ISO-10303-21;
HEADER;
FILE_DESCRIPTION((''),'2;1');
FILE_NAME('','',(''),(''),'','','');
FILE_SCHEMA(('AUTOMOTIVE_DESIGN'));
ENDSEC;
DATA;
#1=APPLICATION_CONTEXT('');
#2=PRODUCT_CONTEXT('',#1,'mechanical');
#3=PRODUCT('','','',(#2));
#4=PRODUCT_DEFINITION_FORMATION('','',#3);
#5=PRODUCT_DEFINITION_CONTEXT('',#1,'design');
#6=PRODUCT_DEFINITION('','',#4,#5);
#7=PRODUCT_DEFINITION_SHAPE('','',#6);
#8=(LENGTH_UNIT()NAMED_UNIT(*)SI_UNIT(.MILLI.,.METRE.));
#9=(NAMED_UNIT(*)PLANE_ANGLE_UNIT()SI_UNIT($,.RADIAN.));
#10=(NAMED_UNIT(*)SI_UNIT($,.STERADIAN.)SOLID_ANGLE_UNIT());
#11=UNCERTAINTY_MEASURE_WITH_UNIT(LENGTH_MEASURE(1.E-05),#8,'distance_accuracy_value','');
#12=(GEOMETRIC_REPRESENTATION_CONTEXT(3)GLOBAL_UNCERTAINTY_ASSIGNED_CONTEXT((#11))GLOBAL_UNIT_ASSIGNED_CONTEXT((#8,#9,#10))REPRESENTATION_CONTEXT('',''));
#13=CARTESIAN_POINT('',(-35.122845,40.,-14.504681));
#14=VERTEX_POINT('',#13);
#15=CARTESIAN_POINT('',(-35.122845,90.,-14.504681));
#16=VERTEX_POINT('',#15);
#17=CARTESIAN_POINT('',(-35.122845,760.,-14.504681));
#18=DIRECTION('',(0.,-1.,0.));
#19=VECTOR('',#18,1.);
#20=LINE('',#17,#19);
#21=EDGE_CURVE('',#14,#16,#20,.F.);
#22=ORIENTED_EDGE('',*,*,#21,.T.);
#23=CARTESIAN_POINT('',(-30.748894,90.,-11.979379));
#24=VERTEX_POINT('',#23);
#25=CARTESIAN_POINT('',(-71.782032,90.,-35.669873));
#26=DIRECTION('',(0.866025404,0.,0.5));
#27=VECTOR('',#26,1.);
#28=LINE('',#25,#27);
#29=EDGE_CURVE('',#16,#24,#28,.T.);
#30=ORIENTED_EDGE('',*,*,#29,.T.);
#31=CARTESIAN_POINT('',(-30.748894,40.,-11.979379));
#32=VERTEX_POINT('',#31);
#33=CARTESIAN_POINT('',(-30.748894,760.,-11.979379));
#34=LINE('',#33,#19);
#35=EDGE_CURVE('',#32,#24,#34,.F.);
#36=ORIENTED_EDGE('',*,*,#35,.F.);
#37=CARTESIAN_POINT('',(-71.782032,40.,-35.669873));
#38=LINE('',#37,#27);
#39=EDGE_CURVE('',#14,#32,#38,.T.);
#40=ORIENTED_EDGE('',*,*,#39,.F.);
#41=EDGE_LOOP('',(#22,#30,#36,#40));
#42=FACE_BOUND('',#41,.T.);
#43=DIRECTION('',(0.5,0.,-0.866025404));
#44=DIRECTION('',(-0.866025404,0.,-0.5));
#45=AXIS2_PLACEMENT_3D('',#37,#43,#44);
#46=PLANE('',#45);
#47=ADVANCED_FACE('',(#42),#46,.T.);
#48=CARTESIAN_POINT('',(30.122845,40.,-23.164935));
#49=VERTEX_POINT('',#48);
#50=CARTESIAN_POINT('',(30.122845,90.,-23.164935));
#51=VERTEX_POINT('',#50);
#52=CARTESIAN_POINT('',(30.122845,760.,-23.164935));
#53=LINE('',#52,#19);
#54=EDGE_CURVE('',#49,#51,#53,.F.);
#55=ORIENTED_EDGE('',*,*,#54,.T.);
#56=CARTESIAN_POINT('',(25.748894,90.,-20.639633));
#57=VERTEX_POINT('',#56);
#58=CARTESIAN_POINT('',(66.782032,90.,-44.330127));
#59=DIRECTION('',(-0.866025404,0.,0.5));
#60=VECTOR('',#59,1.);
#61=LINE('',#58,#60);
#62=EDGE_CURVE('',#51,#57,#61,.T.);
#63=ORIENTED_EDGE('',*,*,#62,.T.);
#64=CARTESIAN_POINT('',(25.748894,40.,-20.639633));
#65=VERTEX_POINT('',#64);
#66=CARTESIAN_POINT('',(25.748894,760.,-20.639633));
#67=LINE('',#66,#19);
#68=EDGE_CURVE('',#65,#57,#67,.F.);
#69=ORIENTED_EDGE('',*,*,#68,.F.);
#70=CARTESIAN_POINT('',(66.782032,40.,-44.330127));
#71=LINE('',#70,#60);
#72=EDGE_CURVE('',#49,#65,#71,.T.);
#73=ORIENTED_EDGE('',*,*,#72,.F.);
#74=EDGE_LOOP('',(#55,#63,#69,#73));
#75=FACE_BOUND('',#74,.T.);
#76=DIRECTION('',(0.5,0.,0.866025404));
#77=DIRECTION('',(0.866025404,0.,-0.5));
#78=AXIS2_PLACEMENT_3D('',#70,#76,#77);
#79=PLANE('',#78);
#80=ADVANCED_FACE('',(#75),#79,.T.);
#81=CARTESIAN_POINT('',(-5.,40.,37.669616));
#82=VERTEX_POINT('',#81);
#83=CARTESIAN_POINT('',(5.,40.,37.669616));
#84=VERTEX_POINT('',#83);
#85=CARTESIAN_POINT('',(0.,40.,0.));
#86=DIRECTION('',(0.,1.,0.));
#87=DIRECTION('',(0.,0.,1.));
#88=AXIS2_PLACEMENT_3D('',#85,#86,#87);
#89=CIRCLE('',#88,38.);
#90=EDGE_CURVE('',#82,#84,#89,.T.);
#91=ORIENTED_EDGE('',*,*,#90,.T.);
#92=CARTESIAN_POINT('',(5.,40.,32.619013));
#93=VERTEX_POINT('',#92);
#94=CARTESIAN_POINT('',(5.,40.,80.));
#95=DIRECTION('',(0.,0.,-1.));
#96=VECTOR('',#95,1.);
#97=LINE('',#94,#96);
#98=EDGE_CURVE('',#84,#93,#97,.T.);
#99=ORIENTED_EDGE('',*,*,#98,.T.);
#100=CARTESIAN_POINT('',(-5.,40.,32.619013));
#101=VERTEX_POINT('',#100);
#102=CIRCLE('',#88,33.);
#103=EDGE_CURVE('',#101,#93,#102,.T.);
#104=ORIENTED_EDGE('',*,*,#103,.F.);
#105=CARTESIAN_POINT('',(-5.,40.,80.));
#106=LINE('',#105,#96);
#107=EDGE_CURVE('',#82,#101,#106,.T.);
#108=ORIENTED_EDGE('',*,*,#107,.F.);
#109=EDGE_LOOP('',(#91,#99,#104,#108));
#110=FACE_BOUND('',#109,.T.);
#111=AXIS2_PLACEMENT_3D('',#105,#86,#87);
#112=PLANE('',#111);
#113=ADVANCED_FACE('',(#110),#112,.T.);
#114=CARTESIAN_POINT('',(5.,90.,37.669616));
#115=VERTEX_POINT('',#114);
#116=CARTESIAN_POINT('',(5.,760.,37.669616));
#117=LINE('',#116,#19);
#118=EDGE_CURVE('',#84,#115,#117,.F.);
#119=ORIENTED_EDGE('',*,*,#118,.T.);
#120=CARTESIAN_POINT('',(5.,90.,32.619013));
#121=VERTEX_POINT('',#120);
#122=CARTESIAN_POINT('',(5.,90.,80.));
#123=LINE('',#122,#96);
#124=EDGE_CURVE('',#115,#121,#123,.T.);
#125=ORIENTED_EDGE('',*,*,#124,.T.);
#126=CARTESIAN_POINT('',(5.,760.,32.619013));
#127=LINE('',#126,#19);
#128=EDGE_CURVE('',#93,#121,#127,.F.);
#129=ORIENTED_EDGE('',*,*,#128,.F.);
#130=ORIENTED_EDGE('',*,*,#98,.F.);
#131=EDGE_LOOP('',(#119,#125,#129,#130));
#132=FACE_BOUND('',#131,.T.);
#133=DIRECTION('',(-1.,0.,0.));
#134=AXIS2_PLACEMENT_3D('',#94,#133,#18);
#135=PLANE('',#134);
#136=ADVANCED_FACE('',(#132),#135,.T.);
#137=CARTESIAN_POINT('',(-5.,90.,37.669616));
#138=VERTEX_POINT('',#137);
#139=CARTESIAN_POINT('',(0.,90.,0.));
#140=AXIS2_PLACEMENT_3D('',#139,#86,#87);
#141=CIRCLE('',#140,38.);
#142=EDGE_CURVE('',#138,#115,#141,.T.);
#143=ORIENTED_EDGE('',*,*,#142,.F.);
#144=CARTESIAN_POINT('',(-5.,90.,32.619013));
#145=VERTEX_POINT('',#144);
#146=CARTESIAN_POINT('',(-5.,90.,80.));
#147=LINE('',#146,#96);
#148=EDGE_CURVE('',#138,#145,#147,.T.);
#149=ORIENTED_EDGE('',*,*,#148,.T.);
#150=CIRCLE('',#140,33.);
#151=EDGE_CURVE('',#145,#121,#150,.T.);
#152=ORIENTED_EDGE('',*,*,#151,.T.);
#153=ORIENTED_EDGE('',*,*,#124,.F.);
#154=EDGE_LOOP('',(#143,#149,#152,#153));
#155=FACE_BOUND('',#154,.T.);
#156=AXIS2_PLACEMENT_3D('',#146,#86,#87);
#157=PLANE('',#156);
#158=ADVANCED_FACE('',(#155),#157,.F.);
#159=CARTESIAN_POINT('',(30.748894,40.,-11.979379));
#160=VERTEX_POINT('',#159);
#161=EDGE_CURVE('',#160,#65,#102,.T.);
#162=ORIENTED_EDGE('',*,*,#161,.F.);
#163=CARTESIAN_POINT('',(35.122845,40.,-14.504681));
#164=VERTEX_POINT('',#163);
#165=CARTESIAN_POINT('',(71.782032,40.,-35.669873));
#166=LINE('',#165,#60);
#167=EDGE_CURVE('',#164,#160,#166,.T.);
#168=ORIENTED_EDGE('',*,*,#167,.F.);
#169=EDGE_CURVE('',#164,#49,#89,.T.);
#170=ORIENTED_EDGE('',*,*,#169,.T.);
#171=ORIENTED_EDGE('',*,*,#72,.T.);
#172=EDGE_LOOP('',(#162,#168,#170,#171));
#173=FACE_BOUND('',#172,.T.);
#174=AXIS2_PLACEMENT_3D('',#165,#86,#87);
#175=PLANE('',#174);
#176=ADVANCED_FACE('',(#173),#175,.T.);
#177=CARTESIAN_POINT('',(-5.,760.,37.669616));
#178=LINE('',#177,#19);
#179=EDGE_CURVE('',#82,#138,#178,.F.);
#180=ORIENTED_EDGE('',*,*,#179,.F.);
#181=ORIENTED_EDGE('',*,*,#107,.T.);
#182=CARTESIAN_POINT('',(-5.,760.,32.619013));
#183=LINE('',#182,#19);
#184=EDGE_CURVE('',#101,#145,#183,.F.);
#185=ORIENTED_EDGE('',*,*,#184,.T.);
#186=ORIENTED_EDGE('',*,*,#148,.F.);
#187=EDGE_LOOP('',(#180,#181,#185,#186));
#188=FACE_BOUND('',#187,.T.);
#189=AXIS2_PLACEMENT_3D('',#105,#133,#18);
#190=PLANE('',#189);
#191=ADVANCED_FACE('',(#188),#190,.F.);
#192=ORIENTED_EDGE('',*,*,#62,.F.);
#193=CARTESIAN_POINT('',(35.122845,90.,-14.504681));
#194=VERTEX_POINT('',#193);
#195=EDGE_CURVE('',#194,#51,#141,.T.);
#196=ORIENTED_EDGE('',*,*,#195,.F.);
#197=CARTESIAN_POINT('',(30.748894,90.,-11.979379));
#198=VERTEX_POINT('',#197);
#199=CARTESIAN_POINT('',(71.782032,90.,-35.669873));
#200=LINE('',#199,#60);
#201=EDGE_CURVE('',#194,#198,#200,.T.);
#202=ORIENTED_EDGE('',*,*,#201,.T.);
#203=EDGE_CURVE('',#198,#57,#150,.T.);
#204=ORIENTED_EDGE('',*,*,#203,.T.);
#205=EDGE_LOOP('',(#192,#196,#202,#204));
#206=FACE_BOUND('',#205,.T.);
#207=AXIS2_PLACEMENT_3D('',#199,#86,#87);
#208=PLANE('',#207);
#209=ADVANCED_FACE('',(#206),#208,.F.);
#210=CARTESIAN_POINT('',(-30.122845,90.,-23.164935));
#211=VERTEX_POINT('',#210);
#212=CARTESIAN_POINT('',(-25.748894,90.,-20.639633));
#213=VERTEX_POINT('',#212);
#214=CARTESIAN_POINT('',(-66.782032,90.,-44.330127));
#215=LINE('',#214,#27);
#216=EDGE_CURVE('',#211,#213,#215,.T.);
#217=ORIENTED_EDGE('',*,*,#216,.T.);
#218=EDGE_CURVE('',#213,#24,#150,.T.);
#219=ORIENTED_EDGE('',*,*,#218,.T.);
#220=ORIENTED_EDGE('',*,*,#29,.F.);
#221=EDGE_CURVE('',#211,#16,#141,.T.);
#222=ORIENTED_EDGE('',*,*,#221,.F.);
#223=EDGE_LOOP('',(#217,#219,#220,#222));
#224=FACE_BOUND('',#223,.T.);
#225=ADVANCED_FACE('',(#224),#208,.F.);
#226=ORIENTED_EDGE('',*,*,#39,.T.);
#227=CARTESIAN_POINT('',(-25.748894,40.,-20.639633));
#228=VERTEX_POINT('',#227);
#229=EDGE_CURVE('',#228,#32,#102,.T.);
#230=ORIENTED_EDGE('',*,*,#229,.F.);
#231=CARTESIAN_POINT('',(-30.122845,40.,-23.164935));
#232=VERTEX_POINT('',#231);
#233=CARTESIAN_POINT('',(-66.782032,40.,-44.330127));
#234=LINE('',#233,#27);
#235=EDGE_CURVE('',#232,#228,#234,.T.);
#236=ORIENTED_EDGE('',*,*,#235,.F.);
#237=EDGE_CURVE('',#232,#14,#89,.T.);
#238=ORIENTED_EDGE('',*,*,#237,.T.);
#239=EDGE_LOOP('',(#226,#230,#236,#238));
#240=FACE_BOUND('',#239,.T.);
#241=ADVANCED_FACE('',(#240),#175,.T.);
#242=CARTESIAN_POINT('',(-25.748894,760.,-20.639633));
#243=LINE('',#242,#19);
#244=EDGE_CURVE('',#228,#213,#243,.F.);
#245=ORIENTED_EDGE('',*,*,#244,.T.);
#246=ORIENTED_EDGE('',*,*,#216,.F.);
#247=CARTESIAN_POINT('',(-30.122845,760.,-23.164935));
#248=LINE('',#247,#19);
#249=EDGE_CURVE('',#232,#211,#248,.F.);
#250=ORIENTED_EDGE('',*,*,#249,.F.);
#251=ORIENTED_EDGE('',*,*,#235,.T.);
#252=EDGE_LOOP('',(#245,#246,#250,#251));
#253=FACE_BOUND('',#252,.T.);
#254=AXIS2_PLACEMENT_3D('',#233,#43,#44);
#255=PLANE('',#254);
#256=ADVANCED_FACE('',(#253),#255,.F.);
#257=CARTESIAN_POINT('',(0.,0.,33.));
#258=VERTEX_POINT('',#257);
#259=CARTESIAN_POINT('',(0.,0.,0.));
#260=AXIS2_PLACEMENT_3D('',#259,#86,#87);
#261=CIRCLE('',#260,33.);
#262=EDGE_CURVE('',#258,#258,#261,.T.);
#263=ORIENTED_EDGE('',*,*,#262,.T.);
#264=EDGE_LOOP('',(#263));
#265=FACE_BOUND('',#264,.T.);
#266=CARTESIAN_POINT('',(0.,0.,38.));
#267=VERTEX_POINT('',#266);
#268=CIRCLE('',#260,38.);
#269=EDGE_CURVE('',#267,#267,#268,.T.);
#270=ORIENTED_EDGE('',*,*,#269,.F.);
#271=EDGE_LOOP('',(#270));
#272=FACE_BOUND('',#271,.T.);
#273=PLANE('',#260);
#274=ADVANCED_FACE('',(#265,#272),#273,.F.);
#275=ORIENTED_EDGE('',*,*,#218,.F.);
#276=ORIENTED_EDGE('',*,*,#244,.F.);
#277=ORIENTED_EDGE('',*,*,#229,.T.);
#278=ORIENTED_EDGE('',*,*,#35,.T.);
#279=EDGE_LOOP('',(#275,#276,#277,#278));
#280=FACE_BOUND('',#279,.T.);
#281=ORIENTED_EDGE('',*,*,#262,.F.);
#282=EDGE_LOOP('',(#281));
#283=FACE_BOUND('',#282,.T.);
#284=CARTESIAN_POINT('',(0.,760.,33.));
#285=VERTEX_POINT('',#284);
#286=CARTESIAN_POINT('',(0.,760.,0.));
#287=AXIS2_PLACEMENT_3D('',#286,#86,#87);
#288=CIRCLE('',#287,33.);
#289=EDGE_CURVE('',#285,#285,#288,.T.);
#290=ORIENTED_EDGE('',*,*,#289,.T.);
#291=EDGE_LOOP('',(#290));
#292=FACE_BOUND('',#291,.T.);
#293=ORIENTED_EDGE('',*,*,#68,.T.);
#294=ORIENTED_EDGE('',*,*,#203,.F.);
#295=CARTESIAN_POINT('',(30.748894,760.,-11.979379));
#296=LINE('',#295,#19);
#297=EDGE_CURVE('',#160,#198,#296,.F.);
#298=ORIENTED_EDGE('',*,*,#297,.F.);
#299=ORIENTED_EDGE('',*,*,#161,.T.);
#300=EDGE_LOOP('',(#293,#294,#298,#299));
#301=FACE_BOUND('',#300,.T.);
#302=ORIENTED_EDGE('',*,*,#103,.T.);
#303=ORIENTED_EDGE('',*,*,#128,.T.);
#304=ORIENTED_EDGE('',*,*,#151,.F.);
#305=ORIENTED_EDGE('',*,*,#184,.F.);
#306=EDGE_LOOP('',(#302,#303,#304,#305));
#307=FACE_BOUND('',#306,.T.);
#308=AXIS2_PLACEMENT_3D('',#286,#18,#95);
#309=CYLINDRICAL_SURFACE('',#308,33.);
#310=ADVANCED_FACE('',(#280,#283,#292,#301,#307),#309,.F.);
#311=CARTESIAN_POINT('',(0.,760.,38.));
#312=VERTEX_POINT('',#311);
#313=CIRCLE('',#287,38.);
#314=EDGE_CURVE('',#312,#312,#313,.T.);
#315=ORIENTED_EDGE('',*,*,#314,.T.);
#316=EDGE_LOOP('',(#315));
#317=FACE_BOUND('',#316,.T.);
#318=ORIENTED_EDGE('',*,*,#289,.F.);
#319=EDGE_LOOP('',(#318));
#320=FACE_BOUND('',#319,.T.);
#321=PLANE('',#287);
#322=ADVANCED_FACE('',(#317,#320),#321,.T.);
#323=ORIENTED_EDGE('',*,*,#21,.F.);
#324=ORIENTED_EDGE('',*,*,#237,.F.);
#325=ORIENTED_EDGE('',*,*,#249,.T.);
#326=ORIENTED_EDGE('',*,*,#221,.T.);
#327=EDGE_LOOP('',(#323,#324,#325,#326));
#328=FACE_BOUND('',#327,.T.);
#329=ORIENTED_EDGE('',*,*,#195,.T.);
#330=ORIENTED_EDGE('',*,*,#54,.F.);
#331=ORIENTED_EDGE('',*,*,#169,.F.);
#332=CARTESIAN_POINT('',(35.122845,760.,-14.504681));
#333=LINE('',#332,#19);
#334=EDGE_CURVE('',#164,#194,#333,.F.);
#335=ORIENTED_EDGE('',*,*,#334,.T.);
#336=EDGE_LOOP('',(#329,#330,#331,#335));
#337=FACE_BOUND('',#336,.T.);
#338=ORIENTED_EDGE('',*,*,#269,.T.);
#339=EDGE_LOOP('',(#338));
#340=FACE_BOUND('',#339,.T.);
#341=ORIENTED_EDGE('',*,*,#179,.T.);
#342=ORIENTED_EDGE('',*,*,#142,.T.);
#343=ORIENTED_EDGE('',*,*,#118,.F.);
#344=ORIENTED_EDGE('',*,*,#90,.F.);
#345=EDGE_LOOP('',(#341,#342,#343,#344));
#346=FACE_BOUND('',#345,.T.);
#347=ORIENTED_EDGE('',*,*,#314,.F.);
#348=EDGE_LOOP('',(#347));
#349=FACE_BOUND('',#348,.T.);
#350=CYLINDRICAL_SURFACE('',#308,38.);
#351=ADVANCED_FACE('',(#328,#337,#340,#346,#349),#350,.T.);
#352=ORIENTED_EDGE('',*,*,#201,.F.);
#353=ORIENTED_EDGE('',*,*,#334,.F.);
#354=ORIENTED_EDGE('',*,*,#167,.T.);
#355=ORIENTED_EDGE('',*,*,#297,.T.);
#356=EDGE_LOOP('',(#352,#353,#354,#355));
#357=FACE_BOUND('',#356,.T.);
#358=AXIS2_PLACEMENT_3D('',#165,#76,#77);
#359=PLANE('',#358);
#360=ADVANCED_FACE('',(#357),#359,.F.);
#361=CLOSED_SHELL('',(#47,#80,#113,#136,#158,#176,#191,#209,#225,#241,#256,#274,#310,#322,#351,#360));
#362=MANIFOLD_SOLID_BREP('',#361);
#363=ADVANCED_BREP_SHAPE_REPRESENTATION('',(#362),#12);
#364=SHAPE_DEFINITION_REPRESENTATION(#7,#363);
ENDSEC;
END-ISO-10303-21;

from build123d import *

# Parameters (mm, degrees)
SKETCH1_R           = 3.8
SKETCH1_R_2         = 3.3
BOSS_EXTRUDE2_DEPTH = 76
SKETCH2_W           = 1
SKETCH2_H           = 5
CUT_EXTRUDE4_DEPTH  = 8
CIRPATTERN1_COUNT   = 3
SCALE2_SCALE        = 10


with BuildPart() as part:
    # Sketch1 → Boss-Extrude2 (new body)
    with BuildSketch(Plane(origin=(0, 0, 0), x_dir=(1, 0, 0), z_dir=(0, 1, 0))):
        with Locations(Location((0, 0, 0), (0, 0, 270))):
            Circle(SKETCH1_R)
        with Locations(Location((0, 0, 0), (0, 0, 270))):
            Circle(SKETCH1_R_2, mode=Mode.SUBTRACT)
    extrude(amount=BOSS_EXTRUDE2_DEPTH)

    # Sketch2 → Cut-Extrude4 (cut)
    with BuildSketch(Plane.XY):
        with Locations((0, 6.5)):
            Rectangle(SKETCH2_W, SKETCH2_H)
    cut_extrude4 = extrude(amount=CUT_EXTRUDE4_DEPTH, mode=Mode.SUBTRACT)

    # CirPattern1: Cut-Extrude4 ×3 about axis
    cirpattern1_axis = Axis((0, 0, 0), (0, 1, 0))
    for i in range(1, CIRPATTERN1_COUNT):
        add(cut_extrude4.rotate(cirpattern1_axis, i * 360 / CIRPATTERN1_COUNT), mode=Mode.SUBTRACT)


with BuildPart() as part_1:
    # Scale2: scaled about (0, 0, 0)
    add(part.part.scale(SCALE2_SCALE))


solid = part_1.part
